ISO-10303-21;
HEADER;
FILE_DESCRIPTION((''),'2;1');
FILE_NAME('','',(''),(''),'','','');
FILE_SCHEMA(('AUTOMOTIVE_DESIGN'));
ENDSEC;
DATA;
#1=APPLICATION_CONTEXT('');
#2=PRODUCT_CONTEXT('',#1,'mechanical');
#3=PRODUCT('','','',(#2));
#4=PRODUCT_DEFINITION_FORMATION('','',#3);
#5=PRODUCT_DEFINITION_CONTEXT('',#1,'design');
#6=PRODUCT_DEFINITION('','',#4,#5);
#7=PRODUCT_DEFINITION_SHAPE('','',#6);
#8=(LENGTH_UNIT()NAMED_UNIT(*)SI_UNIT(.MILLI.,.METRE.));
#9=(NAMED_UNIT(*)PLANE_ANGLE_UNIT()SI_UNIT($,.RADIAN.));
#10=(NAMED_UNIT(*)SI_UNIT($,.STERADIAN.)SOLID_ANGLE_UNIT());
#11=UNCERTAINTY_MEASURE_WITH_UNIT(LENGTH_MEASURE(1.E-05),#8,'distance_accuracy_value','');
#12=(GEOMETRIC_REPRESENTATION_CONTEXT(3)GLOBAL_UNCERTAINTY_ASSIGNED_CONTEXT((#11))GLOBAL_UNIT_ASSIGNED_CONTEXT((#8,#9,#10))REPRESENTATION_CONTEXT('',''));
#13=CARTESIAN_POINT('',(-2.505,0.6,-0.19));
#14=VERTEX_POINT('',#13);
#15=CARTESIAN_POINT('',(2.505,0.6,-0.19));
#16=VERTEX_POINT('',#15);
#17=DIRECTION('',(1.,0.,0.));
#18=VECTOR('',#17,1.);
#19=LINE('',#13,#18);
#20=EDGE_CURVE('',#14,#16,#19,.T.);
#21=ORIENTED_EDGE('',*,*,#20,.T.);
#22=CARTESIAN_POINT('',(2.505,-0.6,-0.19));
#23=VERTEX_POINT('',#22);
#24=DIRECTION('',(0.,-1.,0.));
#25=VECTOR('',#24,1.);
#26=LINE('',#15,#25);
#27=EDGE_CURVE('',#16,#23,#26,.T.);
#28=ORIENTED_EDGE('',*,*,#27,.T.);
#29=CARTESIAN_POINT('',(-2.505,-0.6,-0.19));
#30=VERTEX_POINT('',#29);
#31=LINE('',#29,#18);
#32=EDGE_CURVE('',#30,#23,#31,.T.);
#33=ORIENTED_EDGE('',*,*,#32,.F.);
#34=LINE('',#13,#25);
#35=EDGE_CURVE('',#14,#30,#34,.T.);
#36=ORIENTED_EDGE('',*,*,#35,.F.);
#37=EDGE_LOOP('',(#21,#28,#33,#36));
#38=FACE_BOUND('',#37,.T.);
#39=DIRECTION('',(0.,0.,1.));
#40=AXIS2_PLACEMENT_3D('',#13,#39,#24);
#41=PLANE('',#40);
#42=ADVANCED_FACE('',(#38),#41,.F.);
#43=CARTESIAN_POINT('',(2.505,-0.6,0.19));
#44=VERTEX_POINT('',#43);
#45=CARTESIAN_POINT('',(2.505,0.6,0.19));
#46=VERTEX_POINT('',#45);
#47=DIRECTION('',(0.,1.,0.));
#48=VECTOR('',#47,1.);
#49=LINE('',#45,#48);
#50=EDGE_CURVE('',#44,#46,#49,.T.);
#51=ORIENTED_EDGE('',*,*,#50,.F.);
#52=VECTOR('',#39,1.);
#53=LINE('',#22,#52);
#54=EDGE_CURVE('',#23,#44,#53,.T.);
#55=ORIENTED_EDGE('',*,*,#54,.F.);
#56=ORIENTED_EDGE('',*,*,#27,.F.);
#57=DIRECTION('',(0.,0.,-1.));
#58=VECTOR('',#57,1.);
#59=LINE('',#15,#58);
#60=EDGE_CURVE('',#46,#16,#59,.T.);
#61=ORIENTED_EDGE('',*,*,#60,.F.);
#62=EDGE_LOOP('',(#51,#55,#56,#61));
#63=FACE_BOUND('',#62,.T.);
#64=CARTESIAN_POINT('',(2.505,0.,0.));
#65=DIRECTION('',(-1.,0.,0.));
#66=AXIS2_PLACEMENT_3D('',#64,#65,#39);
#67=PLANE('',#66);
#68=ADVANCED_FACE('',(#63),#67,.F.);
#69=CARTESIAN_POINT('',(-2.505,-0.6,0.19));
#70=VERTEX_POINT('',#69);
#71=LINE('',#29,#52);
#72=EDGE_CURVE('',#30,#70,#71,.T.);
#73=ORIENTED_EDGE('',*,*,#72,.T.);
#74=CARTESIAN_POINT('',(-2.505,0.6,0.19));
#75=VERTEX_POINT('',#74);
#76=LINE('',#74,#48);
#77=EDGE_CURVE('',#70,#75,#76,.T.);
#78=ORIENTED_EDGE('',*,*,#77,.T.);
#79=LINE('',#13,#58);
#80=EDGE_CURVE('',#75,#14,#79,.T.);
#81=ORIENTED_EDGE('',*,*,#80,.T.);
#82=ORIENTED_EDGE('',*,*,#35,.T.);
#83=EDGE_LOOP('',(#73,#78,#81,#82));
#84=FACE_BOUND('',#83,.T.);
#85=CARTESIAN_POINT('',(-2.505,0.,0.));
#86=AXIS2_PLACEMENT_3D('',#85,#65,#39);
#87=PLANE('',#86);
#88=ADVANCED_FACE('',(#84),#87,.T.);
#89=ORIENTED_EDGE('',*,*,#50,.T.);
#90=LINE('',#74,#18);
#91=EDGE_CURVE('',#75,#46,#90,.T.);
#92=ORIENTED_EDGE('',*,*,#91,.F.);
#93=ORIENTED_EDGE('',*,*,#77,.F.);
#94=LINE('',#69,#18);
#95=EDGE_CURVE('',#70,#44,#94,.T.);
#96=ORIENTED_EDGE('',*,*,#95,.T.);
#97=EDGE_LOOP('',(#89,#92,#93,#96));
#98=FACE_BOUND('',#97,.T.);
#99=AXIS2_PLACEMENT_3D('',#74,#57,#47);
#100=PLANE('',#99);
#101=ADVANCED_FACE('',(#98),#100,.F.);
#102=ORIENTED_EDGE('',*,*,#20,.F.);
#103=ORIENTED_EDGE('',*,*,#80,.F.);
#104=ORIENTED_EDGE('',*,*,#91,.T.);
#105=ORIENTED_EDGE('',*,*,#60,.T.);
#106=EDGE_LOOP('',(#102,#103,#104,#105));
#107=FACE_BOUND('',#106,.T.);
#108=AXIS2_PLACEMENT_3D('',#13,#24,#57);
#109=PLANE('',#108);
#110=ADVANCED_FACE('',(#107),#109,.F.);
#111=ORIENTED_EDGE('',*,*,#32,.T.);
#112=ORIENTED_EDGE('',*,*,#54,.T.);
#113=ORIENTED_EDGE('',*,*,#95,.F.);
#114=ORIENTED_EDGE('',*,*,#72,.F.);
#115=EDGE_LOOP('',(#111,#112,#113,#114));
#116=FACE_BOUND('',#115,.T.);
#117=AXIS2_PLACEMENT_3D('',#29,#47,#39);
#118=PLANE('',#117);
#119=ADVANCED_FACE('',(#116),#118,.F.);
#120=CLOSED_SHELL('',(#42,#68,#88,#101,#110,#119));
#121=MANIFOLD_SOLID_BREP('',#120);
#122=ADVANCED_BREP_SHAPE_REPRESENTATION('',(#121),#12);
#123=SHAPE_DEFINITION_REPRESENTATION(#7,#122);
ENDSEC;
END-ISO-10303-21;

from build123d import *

# Parameters (mm, degrees)
SKETCH1_W           = 0.38
SKETCH1_H           = 1.2
BOSS_EXTRUDE1_DEPTH = 2.505


with BuildPart() as part:
    # Sketch1 → Boss-Extrude1 (new, symmetric)
    with BuildSketch(Plane(origin=(0, 0, 1.362821821), x_dir=(0, 0, 1), z_dir=(-1, 0, 0))):
        with Locations((-1.362821821, 0)):
            Rectangle(SKETCH1_W, SKETCH1_H)
    extrude(amount=BOSS_EXTRUDE1_DEPTH, both=True)


solid = part.part
